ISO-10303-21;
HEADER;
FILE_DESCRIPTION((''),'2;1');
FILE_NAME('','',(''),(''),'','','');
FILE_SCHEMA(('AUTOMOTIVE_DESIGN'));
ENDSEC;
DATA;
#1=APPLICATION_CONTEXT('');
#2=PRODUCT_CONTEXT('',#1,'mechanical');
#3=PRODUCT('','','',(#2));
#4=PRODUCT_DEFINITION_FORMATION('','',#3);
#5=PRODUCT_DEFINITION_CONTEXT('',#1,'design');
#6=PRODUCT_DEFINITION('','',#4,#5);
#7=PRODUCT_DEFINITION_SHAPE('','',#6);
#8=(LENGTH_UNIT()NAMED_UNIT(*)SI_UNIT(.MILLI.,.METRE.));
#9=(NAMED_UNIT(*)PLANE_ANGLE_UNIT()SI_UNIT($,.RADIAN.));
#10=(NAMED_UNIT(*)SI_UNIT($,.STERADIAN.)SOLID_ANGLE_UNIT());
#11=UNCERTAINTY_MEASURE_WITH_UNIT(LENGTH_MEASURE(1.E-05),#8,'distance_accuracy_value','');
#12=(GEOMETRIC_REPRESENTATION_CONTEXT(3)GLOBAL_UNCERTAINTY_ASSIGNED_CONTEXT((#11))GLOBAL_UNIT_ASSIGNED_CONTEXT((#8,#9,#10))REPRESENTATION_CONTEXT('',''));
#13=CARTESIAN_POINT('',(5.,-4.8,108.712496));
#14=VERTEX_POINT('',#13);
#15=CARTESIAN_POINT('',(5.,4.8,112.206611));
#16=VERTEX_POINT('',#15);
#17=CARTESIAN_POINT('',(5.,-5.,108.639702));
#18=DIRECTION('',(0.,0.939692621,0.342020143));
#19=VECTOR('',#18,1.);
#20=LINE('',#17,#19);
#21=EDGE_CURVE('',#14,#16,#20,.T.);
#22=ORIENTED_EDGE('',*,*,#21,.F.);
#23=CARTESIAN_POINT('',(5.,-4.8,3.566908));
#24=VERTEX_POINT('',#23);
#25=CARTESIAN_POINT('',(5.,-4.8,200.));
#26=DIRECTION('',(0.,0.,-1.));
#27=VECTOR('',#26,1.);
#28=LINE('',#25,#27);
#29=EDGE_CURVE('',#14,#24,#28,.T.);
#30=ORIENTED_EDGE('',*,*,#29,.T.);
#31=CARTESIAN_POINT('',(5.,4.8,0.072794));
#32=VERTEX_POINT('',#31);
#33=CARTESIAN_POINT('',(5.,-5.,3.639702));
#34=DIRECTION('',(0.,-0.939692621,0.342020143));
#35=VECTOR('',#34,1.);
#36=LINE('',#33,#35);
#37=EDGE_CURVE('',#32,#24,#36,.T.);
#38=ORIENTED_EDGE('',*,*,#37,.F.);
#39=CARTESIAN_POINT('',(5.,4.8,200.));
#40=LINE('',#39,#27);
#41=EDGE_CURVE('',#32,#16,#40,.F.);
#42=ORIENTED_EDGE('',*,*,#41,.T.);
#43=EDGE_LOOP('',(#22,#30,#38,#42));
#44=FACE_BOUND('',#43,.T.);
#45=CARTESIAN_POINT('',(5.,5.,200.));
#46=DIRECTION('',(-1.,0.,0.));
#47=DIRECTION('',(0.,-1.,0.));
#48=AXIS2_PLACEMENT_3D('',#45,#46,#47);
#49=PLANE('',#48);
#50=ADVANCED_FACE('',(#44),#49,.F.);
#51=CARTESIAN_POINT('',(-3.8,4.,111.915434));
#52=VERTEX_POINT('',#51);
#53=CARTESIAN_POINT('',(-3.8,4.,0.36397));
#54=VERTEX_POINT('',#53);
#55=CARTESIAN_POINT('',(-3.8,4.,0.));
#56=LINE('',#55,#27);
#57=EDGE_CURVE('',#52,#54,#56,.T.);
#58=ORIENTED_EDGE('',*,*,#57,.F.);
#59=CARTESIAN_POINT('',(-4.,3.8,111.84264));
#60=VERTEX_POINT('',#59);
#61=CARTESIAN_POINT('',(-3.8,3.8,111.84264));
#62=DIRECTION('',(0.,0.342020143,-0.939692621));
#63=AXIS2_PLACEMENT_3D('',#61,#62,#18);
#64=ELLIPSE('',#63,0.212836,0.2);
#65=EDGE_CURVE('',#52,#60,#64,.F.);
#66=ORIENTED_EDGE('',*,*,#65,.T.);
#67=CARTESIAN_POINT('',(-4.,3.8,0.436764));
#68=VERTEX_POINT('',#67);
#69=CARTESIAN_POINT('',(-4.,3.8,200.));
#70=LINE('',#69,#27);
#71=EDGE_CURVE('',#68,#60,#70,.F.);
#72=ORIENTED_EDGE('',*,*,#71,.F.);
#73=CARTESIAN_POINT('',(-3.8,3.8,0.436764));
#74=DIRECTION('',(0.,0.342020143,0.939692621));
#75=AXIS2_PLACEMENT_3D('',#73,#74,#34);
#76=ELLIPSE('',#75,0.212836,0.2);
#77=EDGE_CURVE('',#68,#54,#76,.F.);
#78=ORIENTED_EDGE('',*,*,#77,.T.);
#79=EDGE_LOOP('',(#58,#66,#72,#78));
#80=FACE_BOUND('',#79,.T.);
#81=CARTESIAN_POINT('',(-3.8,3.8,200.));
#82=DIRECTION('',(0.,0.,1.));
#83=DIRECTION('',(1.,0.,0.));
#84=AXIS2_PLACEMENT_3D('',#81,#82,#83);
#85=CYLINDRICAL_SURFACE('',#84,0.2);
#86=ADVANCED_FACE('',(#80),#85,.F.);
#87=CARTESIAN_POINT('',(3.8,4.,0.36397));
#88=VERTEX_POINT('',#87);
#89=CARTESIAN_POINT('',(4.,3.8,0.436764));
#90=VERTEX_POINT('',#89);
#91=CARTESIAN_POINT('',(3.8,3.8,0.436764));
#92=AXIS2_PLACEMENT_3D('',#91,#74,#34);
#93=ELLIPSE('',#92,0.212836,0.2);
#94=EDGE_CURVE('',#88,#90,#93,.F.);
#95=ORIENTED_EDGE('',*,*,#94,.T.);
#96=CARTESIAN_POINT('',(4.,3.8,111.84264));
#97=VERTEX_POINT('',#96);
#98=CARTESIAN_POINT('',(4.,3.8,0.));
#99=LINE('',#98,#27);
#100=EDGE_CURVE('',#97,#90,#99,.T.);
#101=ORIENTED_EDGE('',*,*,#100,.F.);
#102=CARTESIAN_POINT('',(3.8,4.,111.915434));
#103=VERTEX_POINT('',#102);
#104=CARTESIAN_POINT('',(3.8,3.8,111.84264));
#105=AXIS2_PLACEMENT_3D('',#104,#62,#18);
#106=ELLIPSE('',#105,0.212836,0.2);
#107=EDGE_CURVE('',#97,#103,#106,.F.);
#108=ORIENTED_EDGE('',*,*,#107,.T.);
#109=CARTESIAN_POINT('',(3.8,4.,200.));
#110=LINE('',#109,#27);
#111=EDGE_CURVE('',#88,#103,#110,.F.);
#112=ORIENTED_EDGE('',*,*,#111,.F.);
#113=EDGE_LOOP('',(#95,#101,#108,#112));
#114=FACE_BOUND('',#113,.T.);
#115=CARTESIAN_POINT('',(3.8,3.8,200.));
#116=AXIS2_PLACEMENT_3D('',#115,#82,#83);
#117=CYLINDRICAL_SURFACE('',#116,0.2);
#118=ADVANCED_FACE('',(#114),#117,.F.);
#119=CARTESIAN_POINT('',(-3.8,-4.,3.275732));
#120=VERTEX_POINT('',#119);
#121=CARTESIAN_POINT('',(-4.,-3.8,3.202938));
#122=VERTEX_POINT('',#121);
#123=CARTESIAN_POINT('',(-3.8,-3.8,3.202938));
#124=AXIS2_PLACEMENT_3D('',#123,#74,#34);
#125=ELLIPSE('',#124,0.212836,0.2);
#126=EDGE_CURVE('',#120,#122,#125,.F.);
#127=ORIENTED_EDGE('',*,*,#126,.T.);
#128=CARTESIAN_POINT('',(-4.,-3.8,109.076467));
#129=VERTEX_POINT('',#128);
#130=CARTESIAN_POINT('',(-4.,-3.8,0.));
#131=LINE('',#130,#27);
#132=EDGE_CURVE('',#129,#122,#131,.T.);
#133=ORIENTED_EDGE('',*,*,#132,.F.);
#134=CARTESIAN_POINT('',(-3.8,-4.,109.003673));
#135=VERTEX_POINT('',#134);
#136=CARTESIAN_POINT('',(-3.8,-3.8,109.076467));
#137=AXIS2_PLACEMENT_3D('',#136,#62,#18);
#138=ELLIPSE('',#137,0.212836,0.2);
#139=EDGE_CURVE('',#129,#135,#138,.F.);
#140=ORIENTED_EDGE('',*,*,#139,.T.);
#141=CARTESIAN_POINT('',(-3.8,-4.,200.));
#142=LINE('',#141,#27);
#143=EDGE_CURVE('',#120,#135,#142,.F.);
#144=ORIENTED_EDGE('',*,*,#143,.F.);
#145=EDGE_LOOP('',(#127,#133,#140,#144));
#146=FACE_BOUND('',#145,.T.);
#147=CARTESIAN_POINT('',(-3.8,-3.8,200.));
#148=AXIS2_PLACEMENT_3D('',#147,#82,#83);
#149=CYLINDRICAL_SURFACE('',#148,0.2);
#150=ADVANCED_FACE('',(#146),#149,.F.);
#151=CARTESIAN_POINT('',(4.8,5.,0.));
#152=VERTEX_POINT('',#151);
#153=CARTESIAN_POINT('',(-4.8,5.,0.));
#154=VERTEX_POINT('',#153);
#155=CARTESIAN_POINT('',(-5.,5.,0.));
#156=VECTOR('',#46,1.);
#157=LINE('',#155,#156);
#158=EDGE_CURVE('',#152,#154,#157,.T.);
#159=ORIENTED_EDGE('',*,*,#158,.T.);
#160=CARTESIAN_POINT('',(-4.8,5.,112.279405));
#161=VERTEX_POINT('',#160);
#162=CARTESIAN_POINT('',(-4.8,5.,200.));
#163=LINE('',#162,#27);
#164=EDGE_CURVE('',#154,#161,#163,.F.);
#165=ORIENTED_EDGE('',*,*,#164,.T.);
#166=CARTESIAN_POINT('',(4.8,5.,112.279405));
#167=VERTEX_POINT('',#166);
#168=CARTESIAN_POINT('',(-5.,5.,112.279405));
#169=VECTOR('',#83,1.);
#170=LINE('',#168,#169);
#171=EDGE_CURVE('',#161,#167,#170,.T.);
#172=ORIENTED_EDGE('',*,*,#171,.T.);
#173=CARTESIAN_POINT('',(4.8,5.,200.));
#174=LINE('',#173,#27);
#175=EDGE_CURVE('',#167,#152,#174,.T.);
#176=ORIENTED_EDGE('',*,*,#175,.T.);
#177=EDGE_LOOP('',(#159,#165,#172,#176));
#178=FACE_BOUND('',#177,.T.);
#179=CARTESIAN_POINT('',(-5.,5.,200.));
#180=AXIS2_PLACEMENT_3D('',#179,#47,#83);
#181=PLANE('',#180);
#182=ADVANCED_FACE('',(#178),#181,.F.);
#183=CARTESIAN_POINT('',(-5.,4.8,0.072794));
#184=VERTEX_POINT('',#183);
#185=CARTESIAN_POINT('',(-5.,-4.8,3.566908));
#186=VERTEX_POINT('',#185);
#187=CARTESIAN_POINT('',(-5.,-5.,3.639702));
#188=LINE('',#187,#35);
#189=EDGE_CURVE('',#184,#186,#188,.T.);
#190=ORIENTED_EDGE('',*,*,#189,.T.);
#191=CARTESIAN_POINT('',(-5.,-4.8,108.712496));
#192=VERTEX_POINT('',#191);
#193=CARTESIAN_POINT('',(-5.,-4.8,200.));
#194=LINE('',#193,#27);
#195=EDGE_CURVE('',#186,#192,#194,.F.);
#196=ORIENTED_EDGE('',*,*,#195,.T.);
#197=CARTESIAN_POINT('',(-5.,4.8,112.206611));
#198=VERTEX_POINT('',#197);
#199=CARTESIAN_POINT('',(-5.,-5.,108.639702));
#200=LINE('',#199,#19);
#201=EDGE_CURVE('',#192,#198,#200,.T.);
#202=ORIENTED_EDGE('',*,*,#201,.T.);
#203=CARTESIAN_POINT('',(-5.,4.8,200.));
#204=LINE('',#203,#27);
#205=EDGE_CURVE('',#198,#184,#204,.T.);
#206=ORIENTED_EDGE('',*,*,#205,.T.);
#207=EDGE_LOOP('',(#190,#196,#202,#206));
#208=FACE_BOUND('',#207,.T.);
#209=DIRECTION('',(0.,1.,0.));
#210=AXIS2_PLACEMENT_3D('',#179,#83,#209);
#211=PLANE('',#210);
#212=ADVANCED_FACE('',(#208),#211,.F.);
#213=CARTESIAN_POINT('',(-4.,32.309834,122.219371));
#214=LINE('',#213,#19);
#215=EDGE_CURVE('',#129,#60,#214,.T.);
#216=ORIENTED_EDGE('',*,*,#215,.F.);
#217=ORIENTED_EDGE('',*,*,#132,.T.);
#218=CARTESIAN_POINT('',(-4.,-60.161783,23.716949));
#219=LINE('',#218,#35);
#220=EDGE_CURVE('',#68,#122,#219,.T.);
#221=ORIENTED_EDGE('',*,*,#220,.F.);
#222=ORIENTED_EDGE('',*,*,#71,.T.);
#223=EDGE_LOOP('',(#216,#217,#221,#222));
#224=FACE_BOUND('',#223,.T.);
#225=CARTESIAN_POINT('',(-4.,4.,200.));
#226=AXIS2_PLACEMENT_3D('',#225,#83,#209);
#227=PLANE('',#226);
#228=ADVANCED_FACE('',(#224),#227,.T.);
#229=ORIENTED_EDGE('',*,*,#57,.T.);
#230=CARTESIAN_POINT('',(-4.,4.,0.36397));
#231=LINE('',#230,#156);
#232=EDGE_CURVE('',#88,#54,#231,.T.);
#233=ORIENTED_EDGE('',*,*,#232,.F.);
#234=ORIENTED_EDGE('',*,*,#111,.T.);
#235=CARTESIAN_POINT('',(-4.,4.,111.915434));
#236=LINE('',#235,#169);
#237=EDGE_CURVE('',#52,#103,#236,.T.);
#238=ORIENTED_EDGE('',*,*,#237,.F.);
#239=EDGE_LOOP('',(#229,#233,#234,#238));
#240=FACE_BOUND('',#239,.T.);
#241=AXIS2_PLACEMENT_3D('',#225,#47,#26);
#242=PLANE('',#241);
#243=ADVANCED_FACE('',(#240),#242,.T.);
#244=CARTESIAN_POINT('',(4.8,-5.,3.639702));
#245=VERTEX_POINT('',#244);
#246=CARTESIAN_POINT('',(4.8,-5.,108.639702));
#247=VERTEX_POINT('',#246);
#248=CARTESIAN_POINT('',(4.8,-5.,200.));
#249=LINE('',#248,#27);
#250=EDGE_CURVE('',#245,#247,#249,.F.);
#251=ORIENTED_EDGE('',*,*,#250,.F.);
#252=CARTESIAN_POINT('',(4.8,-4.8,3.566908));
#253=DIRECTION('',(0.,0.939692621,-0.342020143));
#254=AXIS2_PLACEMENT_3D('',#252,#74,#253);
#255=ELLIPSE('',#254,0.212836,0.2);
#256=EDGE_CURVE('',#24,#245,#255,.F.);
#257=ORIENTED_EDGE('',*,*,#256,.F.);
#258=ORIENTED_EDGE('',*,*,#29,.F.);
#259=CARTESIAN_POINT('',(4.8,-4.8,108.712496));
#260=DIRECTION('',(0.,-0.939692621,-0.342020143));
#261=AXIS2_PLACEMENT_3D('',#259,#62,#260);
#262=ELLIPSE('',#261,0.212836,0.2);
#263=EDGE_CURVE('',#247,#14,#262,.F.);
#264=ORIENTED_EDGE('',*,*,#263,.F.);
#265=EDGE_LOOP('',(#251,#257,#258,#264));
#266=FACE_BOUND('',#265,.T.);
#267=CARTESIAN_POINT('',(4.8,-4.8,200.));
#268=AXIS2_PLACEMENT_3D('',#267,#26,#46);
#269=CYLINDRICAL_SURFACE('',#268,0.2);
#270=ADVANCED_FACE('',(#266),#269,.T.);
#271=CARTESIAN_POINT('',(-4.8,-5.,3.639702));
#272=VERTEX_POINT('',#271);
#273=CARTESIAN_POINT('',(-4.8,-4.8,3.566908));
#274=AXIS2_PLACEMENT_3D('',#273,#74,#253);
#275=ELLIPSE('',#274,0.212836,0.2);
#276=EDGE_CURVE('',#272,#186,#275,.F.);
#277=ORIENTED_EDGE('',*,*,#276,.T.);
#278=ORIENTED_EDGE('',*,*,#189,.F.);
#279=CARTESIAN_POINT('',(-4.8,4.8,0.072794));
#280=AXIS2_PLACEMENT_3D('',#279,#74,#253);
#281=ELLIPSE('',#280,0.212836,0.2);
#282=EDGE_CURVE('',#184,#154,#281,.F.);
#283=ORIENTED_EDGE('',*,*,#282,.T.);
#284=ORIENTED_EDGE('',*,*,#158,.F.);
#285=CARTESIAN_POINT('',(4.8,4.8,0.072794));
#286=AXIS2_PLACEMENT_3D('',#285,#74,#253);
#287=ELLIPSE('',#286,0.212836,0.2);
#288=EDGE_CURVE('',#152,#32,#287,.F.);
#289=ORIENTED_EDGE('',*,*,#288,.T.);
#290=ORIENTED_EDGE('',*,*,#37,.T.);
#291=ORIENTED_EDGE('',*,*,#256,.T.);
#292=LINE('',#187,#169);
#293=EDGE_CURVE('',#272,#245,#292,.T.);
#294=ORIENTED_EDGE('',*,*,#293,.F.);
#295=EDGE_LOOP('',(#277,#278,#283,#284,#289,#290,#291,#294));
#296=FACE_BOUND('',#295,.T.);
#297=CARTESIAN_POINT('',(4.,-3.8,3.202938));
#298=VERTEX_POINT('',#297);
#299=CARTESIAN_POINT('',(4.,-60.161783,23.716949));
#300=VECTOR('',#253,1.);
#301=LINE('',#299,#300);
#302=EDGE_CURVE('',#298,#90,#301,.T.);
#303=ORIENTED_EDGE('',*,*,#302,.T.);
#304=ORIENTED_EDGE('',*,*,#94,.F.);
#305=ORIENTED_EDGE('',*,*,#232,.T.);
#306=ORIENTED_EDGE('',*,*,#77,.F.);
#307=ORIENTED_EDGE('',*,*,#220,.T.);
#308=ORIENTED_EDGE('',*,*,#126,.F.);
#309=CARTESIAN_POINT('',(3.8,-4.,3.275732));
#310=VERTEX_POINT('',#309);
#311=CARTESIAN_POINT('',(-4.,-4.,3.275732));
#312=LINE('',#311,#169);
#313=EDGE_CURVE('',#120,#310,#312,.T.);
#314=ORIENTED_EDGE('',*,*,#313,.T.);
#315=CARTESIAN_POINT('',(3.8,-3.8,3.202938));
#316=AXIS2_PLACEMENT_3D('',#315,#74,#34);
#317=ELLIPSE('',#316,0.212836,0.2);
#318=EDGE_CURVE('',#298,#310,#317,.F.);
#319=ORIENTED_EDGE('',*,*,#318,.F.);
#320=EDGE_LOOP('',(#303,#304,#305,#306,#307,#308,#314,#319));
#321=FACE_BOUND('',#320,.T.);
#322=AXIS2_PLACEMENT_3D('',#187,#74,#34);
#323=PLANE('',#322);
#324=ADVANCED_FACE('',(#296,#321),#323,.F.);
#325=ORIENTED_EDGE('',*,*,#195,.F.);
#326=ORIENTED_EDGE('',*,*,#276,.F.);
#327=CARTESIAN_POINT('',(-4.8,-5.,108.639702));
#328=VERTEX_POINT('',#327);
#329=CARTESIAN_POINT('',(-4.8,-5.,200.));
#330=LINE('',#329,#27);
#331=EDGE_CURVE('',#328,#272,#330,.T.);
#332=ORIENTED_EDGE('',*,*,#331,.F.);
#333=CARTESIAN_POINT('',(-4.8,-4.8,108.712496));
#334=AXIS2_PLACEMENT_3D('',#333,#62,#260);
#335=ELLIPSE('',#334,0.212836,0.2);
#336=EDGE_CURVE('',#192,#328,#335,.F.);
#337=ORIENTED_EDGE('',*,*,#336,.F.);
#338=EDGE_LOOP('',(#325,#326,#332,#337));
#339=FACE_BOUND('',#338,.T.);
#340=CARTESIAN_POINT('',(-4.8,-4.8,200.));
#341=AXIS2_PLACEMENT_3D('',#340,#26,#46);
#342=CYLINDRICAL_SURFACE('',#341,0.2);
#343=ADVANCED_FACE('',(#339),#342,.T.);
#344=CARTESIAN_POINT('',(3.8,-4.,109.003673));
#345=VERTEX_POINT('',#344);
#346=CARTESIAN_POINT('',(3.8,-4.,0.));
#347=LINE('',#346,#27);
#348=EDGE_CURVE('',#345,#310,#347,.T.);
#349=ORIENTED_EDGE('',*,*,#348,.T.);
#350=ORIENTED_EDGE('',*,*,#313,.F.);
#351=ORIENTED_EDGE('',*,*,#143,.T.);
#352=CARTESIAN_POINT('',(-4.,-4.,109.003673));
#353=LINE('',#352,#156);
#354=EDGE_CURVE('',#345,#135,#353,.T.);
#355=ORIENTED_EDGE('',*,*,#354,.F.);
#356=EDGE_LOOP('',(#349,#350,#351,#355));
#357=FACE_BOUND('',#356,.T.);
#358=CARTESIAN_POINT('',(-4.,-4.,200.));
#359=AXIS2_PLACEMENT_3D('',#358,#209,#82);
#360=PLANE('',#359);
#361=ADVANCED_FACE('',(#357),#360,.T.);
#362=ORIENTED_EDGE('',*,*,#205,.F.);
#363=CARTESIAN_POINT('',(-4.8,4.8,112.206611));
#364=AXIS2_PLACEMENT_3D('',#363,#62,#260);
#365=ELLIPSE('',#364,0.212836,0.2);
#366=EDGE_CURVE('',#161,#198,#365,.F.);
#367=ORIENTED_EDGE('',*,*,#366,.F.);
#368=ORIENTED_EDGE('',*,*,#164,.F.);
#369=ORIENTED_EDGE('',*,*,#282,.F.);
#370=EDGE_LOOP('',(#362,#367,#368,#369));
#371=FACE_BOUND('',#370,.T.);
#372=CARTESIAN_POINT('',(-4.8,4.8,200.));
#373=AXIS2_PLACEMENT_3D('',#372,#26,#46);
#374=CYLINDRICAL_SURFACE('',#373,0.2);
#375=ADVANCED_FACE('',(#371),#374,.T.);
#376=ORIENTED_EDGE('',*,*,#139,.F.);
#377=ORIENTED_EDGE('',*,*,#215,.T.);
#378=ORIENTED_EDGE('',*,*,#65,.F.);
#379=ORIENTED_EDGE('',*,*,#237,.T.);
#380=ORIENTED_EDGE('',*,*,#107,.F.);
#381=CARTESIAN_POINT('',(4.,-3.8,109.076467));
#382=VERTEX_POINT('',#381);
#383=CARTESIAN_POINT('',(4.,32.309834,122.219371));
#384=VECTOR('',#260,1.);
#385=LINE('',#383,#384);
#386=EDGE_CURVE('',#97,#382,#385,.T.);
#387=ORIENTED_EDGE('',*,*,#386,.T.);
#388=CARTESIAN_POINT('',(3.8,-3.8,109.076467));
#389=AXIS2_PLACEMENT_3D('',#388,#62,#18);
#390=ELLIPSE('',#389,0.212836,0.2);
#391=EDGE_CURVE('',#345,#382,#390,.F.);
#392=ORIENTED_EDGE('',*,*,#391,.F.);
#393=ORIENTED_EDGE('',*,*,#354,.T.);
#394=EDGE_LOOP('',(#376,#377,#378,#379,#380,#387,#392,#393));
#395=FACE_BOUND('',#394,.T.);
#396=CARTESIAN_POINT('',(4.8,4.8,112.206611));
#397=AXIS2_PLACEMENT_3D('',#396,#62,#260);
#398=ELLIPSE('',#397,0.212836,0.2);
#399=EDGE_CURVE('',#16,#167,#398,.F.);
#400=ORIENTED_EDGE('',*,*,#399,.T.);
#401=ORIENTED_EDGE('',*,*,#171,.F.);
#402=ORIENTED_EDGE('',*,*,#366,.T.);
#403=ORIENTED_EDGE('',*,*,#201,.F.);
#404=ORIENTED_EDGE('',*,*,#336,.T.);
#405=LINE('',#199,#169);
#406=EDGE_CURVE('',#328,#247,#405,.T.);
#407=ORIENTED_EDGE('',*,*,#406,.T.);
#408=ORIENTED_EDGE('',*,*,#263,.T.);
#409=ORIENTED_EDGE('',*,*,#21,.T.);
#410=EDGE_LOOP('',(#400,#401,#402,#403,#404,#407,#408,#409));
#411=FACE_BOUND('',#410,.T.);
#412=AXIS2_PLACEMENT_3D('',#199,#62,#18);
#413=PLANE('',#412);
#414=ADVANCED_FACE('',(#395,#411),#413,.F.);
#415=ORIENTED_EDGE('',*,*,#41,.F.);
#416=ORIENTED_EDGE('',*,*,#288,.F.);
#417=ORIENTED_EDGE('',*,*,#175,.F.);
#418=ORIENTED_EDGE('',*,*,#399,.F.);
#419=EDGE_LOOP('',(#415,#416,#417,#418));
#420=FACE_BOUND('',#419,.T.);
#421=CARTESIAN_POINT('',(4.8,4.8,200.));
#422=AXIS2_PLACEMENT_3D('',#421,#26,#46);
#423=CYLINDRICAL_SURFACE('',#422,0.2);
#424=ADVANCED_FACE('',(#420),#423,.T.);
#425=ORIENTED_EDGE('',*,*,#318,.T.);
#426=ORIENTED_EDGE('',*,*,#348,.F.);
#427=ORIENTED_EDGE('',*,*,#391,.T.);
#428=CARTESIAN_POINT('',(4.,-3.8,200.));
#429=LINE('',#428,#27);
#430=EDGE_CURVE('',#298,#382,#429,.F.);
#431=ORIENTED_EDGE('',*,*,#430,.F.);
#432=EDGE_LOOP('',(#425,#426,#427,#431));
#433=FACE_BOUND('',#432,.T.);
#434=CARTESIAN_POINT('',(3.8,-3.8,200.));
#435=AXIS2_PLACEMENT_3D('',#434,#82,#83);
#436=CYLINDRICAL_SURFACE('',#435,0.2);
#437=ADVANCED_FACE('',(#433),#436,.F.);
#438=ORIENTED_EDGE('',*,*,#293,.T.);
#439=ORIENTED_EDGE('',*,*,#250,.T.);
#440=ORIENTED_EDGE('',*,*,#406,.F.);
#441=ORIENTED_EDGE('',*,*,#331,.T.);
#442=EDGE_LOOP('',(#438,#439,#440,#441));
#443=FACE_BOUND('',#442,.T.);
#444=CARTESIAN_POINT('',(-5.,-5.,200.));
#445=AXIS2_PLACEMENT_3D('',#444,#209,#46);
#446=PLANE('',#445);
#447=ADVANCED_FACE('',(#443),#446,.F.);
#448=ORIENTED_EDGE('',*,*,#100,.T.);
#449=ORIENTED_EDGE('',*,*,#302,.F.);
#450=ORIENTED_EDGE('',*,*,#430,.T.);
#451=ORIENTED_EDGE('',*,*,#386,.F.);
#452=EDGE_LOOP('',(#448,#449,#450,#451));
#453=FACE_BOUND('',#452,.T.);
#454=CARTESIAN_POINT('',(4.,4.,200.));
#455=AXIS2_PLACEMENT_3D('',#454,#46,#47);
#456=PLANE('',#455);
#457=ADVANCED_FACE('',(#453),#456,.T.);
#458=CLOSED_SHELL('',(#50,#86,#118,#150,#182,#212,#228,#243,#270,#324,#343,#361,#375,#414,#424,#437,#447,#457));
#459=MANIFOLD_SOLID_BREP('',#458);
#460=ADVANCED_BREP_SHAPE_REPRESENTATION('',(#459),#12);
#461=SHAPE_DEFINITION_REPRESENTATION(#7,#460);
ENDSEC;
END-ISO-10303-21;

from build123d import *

# Parameters (mm, degrees)
SKETCH_1_W          = 10
SKETCH_1_H          = 10
SKETCH_1_W_2        = 8
SKETCH_1_H_2        = 8
EXTRUDE_1_DEPTH     = 200
FILLET_1_R          = 0.2
CUT_EXTRUDE_1_DEPTH = 201.31225624
CUT_EXTRUDE_2_DEPTH = 201.31225624


with BuildPart() as part:
    # 草圖1 → 填料-伸長1 (new body)
    with BuildSketch(Plane.XY):
        Rectangle(SKETCH_1_W, SKETCH_1_H)
        Rectangle(SKETCH_1_W_2, SKETCH_1_H_2, mode=Mode.SUBTRACT)
    extrude(amount=EXTRUDE_1_DEPTH)

    # 圓角1
    fillet_1_edges = [part.edges().sort_by_distance(p)[0] for p in [
        (-4, 4, 100),
        (-4, -4, 100),
        (4, -4, 100),
        (4, 4, 100),
        (-5, 5, 100),
        (5, 5, 100),
        (5, -5, 100),
        (-5, -5, 100),
    ]]
    fillet(fillet_1_edges, radius=FILLET_1_R)

    # 草圖2 → 除料-伸長1 (cut, through all)
    with BuildSketch(Plane(origin=(5, 0, 0), x_dir=(0, 0, -1), z_dir=(1, 0, 0))):
        Polygon((0, 5), (0, -5), (-3.639702343, -5), align=None)
    extrude(amount=-CUT_EXTRUDE_1_DEPTH, mode=Mode.SUBTRACT)

    # 草圖3 → 除料-伸長2 (cut, through all)
    with BuildSketch(Plane(origin=(5, 0, 0), x_dir=(0, 0, -1), z_dir=(1, 0, 0))):
        Polygon((-108.639702343, -5), (-112.279404685, 5), (-200, 5), (-200, -5), align=None)
    extrude(amount=-CUT_EXTRUDE_2_DEPTH, mode=Mode.SUBTRACT)


solid = part.part
